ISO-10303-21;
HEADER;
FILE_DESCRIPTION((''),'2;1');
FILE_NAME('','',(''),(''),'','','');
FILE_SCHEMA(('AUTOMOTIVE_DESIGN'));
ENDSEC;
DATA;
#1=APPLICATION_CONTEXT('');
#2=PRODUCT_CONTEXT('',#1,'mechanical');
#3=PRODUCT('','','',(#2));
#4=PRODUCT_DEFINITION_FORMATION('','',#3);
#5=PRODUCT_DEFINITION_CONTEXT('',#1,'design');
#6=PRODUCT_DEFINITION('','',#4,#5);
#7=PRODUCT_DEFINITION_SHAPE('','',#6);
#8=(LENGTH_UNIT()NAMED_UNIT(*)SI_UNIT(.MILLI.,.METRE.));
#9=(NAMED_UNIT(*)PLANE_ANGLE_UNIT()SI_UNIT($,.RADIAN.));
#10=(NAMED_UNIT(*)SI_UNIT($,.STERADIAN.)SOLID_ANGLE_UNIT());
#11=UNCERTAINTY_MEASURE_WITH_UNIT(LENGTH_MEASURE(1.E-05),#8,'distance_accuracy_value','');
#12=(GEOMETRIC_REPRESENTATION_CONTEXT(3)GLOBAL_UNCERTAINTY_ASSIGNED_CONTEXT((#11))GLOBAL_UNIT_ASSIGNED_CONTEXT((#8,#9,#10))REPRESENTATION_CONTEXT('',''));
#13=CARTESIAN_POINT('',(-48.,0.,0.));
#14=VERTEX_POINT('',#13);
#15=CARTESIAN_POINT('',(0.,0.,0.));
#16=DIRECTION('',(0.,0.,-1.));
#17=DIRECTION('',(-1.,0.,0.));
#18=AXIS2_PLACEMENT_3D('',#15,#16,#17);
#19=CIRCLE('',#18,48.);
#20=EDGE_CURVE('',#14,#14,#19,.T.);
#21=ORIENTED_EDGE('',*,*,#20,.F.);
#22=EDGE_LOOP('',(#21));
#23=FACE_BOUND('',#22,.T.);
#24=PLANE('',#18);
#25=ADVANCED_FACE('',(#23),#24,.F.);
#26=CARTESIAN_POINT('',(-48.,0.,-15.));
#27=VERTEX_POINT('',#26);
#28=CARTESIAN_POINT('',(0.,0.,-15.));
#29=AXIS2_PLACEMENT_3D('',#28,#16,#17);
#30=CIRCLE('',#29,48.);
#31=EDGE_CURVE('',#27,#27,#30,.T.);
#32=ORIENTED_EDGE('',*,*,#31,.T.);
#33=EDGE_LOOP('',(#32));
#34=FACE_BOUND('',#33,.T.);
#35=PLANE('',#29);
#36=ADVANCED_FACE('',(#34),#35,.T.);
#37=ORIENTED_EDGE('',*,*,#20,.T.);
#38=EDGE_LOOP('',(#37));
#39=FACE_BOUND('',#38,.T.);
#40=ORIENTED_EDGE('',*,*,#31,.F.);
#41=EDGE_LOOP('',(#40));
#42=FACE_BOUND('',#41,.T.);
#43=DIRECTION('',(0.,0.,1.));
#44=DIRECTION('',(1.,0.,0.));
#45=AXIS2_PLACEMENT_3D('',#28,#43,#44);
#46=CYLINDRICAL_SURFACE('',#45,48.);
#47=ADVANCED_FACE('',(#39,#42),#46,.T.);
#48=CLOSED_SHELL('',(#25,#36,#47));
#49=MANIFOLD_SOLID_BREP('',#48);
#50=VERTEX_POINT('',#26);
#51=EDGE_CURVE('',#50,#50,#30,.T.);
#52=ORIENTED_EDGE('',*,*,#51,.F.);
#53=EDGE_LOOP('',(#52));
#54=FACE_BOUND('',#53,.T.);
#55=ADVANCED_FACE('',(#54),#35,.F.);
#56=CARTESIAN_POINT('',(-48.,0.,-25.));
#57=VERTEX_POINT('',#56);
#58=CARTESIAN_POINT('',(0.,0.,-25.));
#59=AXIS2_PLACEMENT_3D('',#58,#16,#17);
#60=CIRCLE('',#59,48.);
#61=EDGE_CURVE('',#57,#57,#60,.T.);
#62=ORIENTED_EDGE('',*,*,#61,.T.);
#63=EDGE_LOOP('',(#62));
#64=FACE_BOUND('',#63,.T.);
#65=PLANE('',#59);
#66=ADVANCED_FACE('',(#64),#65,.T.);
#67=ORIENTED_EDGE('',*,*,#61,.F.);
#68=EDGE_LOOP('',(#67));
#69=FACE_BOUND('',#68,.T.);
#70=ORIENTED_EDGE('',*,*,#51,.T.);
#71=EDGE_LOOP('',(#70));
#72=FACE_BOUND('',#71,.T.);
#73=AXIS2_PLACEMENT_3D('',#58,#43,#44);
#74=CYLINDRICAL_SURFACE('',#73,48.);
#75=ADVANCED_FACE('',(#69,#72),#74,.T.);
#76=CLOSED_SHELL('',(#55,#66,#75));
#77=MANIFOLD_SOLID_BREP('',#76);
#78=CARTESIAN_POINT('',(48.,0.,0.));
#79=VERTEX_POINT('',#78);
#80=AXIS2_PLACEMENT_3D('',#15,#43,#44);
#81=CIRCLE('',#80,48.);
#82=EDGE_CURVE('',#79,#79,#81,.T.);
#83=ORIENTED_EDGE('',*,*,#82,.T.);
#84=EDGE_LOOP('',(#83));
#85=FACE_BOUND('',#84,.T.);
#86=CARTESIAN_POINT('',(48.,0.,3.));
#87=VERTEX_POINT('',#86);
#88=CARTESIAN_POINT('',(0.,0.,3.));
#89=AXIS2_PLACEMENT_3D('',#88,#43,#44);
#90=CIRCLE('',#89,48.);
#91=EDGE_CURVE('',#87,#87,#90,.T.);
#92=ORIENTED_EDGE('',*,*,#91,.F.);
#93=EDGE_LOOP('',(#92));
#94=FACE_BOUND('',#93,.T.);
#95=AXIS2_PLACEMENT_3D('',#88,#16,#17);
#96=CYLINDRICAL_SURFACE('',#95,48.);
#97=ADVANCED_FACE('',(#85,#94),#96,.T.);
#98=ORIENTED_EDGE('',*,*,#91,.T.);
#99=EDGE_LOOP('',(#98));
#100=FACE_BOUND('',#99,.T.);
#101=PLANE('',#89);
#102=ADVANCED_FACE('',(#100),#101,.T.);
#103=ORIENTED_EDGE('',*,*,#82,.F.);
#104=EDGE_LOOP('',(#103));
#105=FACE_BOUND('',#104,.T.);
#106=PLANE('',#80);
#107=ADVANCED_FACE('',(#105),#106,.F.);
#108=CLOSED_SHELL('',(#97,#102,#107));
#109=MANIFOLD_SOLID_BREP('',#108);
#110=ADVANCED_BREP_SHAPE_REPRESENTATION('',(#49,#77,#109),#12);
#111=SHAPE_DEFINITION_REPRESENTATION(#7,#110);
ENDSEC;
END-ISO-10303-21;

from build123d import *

# Parameters (mm, degrees)
SKETCH1_R           = 48
BOSS_EXTRUDE1_DEPTH = 3
SKETCH2_R           = 48
BOSS_EXTRUDE3_DEPTH = 15
SKETCH4_R           = 48
BOSS_EXTRUDE4_DEPTH = 10


with BuildPart() as part:
    # Sketch1 → Boss-Extrude1 (new body)
    with BuildSketch(Plane.XY):
        Circle(SKETCH1_R)
    extrude(amount=BOSS_EXTRUDE1_DEPTH)


with BuildPart() as body_2:
    # Sketch2 → Boss-Extrude3 (new body)
    with BuildSketch(Plane(origin=(0, 0, 0), x_dir=(-1, 0, 0), z_dir=(0, 0, -1))):
        Circle(SKETCH2_R)
    extrude(amount=BOSS_EXTRUDE3_DEPTH)


with BuildPart() as body_3:
    # Sketch4 → Boss-Extrude4 (new body)
    with BuildSketch(Plane(origin=(0, 0, -15), x_dir=(-1, 0, 0), z_dir=(0, 0, -1))):
        Circle(SKETCH4_R)
    extrude(amount=BOSS_EXTRUDE4_DEPTH)


solid = Compound([part.part, body_2.part, body_3.part])
